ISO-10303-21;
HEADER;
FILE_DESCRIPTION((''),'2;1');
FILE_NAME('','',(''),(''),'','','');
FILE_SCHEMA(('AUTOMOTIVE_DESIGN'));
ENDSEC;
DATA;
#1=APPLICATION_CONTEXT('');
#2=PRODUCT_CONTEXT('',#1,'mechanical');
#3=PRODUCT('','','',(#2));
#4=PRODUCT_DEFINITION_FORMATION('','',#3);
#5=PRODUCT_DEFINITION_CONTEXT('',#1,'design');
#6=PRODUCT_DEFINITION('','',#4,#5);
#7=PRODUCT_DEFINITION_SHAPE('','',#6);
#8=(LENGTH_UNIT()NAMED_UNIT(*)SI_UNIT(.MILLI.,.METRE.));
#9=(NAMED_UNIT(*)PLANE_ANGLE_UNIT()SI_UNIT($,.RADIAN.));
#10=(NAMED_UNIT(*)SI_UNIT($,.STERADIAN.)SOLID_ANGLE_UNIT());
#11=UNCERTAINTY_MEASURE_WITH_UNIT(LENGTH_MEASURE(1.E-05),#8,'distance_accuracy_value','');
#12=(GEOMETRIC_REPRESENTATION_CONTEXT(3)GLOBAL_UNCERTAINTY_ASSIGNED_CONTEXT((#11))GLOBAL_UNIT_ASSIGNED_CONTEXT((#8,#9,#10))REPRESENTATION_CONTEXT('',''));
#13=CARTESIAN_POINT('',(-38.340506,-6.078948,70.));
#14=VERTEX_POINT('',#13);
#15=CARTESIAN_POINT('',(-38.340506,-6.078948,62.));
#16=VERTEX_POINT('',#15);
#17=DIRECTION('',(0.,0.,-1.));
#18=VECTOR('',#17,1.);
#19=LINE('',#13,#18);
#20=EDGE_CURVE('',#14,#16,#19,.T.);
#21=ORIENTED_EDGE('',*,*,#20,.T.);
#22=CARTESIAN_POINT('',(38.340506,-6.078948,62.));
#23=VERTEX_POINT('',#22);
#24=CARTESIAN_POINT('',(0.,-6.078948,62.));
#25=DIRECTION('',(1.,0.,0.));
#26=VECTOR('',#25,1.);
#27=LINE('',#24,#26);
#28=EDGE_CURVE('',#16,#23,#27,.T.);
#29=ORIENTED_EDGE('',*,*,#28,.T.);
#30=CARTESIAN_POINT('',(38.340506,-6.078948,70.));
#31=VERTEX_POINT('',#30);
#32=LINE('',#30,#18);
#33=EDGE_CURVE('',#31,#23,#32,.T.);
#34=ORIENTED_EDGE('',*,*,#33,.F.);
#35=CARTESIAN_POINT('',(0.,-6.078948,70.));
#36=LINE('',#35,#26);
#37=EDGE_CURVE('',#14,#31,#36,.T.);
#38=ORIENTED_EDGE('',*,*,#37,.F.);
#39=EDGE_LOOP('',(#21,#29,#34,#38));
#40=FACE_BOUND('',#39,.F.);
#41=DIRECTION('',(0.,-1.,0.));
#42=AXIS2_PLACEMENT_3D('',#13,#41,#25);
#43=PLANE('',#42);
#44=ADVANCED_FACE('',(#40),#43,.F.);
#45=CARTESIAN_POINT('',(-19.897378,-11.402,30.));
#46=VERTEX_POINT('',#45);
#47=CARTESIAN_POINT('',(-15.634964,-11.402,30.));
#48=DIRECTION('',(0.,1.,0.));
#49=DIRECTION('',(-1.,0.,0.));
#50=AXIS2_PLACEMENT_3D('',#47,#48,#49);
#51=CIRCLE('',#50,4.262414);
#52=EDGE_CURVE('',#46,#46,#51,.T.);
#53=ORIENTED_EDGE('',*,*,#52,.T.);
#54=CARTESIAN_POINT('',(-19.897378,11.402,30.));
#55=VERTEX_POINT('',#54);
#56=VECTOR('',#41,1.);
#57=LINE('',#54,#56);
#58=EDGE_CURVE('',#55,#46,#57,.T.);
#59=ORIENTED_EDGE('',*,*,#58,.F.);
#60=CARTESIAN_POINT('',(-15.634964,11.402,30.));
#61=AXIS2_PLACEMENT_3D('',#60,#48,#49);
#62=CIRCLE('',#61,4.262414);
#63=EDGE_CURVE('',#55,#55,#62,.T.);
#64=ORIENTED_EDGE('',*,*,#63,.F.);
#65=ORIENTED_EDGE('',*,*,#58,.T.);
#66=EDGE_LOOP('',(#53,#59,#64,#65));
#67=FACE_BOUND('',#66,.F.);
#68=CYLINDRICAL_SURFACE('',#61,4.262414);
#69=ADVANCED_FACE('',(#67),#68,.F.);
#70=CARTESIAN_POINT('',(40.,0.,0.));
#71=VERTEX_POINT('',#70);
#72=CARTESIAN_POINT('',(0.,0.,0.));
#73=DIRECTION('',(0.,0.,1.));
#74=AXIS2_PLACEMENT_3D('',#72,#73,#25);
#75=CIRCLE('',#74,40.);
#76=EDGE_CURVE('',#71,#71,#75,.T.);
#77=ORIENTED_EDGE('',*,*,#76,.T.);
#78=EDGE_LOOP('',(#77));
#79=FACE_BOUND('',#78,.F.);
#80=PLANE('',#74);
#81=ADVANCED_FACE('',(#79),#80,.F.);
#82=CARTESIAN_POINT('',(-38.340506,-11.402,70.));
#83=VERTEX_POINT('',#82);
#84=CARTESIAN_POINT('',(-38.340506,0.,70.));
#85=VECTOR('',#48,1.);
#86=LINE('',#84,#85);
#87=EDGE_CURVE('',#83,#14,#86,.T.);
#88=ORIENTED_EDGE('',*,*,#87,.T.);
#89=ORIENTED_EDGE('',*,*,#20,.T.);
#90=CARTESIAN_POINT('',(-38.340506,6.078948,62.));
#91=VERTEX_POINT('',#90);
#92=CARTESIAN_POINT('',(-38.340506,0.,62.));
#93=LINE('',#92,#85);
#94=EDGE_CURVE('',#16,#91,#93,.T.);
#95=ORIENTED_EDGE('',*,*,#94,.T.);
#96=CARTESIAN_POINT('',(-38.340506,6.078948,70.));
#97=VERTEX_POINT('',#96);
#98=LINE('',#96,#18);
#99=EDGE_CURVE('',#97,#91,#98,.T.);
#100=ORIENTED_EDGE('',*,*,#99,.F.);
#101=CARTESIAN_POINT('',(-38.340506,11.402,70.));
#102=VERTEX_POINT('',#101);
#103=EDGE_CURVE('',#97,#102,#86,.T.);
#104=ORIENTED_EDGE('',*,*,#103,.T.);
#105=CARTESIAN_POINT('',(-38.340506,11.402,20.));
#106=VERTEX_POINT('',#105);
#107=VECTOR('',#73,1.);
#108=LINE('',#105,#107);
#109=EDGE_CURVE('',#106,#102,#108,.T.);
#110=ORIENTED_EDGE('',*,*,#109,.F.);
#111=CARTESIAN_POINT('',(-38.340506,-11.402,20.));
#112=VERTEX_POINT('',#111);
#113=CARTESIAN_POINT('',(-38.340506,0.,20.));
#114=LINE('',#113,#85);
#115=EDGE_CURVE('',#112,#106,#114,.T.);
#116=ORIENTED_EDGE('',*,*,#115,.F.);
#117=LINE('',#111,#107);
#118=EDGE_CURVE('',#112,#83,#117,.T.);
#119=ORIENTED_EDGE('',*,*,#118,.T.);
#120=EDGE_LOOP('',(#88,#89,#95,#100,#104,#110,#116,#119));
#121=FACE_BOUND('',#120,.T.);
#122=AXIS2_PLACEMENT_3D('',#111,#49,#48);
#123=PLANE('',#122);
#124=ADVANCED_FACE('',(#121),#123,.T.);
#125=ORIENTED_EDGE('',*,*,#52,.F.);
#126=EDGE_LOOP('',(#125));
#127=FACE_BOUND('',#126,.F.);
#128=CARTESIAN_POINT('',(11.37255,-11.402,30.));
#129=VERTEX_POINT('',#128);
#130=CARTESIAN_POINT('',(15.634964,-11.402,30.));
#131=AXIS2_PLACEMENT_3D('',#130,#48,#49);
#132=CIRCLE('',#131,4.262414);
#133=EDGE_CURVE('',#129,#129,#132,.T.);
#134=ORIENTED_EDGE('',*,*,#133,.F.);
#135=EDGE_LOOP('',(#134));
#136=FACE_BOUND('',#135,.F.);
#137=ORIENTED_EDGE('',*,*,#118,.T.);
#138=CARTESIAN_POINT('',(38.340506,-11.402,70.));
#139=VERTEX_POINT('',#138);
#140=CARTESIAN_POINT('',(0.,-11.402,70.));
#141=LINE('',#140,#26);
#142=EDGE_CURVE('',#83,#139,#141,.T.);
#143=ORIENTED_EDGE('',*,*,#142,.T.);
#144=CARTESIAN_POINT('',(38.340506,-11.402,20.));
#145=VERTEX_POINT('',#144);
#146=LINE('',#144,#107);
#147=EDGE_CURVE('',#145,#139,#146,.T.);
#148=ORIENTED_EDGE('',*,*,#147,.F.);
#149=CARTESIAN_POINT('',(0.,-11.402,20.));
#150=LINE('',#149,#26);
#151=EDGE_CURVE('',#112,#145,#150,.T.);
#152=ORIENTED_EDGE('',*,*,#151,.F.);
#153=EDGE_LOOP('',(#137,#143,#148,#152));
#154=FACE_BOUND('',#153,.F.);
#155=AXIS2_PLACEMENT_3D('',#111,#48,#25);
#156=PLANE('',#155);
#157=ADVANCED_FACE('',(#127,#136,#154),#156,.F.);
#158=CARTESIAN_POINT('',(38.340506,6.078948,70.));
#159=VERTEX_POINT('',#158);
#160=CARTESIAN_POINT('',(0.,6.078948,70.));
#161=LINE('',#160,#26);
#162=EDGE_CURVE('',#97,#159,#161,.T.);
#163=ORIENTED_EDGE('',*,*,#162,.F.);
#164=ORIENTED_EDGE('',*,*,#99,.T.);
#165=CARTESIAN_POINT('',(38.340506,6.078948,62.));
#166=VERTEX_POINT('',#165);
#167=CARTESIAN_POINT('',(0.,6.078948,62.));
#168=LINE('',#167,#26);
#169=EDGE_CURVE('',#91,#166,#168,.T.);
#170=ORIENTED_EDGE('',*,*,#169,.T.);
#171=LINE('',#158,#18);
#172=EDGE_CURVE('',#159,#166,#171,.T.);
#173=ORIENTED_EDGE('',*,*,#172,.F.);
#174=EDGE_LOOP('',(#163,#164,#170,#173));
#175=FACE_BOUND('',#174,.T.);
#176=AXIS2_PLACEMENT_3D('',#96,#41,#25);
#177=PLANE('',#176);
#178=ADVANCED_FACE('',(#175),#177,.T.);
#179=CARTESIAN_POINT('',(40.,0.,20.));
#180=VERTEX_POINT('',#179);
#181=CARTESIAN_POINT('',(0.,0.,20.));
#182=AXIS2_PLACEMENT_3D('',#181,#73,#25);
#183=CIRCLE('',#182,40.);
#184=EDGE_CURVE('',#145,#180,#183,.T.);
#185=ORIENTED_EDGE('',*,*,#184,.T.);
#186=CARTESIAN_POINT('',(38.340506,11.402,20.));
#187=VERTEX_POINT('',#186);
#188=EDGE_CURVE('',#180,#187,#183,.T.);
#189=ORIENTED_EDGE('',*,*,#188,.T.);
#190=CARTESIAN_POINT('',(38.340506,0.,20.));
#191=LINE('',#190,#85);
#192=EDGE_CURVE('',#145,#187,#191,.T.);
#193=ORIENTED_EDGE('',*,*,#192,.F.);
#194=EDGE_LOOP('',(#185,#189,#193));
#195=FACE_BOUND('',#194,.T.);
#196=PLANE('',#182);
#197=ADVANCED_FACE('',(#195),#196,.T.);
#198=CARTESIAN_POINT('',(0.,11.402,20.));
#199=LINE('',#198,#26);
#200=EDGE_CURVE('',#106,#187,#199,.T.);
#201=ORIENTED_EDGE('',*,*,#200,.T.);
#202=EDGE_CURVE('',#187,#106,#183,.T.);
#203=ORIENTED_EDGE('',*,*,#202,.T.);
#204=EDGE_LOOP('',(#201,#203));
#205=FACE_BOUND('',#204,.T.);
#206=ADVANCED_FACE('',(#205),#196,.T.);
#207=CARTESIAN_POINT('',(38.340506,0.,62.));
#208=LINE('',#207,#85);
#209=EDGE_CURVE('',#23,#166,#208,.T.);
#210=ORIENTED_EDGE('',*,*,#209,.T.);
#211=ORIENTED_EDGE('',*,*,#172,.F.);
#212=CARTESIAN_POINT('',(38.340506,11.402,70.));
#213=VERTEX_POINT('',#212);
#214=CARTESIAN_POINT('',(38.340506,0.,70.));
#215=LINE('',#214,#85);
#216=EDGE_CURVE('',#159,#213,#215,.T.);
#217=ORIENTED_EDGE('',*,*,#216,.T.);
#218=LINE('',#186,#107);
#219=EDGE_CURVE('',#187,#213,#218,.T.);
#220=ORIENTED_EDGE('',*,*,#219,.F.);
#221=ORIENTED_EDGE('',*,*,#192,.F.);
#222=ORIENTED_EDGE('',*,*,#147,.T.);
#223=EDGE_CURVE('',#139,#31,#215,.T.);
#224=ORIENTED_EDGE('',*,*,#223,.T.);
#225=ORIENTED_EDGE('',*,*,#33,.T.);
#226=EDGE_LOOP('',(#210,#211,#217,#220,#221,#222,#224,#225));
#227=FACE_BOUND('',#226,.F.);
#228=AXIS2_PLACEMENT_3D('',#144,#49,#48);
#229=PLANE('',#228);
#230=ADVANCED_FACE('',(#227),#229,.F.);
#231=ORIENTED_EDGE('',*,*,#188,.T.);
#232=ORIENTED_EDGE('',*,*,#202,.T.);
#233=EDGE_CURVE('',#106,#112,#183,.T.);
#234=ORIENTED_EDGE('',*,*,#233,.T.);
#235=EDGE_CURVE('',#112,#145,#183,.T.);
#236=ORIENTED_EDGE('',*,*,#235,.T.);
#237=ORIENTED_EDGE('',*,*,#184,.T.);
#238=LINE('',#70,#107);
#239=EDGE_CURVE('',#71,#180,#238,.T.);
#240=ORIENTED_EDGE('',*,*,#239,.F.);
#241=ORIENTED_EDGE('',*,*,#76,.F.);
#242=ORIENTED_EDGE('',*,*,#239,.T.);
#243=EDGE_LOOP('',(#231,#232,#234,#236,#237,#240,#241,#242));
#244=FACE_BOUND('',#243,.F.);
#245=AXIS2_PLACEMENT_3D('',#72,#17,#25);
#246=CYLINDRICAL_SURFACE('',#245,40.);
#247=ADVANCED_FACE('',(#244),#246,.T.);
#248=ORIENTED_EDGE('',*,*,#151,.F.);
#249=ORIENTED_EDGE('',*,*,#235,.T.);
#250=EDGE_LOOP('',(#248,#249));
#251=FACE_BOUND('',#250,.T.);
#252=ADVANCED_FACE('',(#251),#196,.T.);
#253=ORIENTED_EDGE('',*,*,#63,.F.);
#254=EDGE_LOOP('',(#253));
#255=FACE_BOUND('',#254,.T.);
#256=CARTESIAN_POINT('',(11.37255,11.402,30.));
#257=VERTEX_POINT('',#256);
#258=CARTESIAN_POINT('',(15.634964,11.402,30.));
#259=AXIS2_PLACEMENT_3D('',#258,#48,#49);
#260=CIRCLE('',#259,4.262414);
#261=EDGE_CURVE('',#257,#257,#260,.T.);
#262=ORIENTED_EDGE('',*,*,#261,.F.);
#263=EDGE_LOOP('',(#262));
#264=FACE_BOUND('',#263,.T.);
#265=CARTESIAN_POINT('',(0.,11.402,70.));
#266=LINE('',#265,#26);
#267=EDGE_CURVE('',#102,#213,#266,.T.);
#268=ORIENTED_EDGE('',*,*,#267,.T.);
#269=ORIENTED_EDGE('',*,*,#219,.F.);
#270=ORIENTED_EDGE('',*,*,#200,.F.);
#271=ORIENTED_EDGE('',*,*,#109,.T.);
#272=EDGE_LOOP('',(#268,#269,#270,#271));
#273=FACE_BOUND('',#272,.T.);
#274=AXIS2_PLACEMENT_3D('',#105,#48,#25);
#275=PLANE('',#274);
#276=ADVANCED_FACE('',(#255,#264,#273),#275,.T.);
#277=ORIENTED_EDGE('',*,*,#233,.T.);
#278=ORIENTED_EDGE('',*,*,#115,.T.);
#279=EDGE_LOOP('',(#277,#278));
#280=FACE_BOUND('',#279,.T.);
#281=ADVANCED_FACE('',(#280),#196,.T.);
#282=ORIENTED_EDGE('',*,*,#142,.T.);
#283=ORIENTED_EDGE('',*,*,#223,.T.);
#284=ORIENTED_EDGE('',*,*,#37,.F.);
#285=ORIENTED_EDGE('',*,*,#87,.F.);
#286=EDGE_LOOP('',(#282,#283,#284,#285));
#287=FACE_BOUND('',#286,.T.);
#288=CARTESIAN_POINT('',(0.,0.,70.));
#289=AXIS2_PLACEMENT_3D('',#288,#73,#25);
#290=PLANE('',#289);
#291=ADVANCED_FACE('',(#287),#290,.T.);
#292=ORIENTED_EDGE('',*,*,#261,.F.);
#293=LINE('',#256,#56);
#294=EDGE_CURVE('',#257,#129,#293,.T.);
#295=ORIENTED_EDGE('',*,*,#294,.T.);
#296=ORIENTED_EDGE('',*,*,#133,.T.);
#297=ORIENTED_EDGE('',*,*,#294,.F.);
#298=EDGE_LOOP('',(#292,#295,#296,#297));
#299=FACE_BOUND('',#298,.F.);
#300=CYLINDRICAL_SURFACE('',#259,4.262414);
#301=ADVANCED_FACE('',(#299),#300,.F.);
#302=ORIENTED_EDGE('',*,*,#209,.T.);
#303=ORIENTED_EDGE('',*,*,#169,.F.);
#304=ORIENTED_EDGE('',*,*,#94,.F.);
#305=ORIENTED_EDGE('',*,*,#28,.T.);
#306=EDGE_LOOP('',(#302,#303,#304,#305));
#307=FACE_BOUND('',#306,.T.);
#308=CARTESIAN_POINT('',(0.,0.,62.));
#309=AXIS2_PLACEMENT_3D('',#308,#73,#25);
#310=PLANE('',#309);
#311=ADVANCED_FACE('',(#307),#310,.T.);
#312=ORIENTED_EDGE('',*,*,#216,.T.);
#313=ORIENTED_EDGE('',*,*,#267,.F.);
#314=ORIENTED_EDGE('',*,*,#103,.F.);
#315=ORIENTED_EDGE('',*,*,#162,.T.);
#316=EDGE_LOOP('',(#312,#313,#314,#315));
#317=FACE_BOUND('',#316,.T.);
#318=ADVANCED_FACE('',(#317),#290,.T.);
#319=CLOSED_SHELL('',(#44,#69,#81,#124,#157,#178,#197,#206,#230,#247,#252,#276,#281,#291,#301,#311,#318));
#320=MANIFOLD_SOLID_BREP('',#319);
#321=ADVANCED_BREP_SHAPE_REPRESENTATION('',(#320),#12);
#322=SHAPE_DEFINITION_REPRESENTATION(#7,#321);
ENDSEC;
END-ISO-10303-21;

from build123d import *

# Parameters (mm, degrees)
F0_R     = 40
F1_DEPTH = 20
F2_W     = 76.681012
F2_H     = 22.804
F3_DEPTH = 50
F4_W     = 76.681012
F4_H     = 12.157896
F5_DEPTH = 8
F6_R     = 4.262414
F7_DEPTH = 51.403


with BuildPart() as f1:
    # F0 (on Top) → F1 (new body)
    with BuildSketch(Plane.XY):
        Circle(F0_R)
    extrude(amount=F1_DEPTH)

    # F2 (on face) → F3 (join)
    with BuildSketch(Plane.XY.offset(20)):
        Rectangle(F2_W, F2_H)
    extrude(amount=F3_DEPTH)

    # F4 (on face) → F5 (cut)
    with BuildSketch(Plane.XY.offset(70)):
        Rectangle(F4_W, F4_H)
    extrude(amount=-F5_DEPTH, mode=Mode.SUBTRACT)

    # F6 (on face) → F7 (cut, through all)
    with BuildSketch(Plane(origin=(0, 11.402, 0), x_dir=(-1, 0, 0), z_dir=(0, 1, 0))):
        with Locations((-15.634964, 30)):
            Circle(F6_R)
        with Locations((15.634964, 30)):
            Circle(F6_R)
    extrude(amount=-F7_DEPTH, mode=Mode.SUBTRACT)


solid = f1.part
